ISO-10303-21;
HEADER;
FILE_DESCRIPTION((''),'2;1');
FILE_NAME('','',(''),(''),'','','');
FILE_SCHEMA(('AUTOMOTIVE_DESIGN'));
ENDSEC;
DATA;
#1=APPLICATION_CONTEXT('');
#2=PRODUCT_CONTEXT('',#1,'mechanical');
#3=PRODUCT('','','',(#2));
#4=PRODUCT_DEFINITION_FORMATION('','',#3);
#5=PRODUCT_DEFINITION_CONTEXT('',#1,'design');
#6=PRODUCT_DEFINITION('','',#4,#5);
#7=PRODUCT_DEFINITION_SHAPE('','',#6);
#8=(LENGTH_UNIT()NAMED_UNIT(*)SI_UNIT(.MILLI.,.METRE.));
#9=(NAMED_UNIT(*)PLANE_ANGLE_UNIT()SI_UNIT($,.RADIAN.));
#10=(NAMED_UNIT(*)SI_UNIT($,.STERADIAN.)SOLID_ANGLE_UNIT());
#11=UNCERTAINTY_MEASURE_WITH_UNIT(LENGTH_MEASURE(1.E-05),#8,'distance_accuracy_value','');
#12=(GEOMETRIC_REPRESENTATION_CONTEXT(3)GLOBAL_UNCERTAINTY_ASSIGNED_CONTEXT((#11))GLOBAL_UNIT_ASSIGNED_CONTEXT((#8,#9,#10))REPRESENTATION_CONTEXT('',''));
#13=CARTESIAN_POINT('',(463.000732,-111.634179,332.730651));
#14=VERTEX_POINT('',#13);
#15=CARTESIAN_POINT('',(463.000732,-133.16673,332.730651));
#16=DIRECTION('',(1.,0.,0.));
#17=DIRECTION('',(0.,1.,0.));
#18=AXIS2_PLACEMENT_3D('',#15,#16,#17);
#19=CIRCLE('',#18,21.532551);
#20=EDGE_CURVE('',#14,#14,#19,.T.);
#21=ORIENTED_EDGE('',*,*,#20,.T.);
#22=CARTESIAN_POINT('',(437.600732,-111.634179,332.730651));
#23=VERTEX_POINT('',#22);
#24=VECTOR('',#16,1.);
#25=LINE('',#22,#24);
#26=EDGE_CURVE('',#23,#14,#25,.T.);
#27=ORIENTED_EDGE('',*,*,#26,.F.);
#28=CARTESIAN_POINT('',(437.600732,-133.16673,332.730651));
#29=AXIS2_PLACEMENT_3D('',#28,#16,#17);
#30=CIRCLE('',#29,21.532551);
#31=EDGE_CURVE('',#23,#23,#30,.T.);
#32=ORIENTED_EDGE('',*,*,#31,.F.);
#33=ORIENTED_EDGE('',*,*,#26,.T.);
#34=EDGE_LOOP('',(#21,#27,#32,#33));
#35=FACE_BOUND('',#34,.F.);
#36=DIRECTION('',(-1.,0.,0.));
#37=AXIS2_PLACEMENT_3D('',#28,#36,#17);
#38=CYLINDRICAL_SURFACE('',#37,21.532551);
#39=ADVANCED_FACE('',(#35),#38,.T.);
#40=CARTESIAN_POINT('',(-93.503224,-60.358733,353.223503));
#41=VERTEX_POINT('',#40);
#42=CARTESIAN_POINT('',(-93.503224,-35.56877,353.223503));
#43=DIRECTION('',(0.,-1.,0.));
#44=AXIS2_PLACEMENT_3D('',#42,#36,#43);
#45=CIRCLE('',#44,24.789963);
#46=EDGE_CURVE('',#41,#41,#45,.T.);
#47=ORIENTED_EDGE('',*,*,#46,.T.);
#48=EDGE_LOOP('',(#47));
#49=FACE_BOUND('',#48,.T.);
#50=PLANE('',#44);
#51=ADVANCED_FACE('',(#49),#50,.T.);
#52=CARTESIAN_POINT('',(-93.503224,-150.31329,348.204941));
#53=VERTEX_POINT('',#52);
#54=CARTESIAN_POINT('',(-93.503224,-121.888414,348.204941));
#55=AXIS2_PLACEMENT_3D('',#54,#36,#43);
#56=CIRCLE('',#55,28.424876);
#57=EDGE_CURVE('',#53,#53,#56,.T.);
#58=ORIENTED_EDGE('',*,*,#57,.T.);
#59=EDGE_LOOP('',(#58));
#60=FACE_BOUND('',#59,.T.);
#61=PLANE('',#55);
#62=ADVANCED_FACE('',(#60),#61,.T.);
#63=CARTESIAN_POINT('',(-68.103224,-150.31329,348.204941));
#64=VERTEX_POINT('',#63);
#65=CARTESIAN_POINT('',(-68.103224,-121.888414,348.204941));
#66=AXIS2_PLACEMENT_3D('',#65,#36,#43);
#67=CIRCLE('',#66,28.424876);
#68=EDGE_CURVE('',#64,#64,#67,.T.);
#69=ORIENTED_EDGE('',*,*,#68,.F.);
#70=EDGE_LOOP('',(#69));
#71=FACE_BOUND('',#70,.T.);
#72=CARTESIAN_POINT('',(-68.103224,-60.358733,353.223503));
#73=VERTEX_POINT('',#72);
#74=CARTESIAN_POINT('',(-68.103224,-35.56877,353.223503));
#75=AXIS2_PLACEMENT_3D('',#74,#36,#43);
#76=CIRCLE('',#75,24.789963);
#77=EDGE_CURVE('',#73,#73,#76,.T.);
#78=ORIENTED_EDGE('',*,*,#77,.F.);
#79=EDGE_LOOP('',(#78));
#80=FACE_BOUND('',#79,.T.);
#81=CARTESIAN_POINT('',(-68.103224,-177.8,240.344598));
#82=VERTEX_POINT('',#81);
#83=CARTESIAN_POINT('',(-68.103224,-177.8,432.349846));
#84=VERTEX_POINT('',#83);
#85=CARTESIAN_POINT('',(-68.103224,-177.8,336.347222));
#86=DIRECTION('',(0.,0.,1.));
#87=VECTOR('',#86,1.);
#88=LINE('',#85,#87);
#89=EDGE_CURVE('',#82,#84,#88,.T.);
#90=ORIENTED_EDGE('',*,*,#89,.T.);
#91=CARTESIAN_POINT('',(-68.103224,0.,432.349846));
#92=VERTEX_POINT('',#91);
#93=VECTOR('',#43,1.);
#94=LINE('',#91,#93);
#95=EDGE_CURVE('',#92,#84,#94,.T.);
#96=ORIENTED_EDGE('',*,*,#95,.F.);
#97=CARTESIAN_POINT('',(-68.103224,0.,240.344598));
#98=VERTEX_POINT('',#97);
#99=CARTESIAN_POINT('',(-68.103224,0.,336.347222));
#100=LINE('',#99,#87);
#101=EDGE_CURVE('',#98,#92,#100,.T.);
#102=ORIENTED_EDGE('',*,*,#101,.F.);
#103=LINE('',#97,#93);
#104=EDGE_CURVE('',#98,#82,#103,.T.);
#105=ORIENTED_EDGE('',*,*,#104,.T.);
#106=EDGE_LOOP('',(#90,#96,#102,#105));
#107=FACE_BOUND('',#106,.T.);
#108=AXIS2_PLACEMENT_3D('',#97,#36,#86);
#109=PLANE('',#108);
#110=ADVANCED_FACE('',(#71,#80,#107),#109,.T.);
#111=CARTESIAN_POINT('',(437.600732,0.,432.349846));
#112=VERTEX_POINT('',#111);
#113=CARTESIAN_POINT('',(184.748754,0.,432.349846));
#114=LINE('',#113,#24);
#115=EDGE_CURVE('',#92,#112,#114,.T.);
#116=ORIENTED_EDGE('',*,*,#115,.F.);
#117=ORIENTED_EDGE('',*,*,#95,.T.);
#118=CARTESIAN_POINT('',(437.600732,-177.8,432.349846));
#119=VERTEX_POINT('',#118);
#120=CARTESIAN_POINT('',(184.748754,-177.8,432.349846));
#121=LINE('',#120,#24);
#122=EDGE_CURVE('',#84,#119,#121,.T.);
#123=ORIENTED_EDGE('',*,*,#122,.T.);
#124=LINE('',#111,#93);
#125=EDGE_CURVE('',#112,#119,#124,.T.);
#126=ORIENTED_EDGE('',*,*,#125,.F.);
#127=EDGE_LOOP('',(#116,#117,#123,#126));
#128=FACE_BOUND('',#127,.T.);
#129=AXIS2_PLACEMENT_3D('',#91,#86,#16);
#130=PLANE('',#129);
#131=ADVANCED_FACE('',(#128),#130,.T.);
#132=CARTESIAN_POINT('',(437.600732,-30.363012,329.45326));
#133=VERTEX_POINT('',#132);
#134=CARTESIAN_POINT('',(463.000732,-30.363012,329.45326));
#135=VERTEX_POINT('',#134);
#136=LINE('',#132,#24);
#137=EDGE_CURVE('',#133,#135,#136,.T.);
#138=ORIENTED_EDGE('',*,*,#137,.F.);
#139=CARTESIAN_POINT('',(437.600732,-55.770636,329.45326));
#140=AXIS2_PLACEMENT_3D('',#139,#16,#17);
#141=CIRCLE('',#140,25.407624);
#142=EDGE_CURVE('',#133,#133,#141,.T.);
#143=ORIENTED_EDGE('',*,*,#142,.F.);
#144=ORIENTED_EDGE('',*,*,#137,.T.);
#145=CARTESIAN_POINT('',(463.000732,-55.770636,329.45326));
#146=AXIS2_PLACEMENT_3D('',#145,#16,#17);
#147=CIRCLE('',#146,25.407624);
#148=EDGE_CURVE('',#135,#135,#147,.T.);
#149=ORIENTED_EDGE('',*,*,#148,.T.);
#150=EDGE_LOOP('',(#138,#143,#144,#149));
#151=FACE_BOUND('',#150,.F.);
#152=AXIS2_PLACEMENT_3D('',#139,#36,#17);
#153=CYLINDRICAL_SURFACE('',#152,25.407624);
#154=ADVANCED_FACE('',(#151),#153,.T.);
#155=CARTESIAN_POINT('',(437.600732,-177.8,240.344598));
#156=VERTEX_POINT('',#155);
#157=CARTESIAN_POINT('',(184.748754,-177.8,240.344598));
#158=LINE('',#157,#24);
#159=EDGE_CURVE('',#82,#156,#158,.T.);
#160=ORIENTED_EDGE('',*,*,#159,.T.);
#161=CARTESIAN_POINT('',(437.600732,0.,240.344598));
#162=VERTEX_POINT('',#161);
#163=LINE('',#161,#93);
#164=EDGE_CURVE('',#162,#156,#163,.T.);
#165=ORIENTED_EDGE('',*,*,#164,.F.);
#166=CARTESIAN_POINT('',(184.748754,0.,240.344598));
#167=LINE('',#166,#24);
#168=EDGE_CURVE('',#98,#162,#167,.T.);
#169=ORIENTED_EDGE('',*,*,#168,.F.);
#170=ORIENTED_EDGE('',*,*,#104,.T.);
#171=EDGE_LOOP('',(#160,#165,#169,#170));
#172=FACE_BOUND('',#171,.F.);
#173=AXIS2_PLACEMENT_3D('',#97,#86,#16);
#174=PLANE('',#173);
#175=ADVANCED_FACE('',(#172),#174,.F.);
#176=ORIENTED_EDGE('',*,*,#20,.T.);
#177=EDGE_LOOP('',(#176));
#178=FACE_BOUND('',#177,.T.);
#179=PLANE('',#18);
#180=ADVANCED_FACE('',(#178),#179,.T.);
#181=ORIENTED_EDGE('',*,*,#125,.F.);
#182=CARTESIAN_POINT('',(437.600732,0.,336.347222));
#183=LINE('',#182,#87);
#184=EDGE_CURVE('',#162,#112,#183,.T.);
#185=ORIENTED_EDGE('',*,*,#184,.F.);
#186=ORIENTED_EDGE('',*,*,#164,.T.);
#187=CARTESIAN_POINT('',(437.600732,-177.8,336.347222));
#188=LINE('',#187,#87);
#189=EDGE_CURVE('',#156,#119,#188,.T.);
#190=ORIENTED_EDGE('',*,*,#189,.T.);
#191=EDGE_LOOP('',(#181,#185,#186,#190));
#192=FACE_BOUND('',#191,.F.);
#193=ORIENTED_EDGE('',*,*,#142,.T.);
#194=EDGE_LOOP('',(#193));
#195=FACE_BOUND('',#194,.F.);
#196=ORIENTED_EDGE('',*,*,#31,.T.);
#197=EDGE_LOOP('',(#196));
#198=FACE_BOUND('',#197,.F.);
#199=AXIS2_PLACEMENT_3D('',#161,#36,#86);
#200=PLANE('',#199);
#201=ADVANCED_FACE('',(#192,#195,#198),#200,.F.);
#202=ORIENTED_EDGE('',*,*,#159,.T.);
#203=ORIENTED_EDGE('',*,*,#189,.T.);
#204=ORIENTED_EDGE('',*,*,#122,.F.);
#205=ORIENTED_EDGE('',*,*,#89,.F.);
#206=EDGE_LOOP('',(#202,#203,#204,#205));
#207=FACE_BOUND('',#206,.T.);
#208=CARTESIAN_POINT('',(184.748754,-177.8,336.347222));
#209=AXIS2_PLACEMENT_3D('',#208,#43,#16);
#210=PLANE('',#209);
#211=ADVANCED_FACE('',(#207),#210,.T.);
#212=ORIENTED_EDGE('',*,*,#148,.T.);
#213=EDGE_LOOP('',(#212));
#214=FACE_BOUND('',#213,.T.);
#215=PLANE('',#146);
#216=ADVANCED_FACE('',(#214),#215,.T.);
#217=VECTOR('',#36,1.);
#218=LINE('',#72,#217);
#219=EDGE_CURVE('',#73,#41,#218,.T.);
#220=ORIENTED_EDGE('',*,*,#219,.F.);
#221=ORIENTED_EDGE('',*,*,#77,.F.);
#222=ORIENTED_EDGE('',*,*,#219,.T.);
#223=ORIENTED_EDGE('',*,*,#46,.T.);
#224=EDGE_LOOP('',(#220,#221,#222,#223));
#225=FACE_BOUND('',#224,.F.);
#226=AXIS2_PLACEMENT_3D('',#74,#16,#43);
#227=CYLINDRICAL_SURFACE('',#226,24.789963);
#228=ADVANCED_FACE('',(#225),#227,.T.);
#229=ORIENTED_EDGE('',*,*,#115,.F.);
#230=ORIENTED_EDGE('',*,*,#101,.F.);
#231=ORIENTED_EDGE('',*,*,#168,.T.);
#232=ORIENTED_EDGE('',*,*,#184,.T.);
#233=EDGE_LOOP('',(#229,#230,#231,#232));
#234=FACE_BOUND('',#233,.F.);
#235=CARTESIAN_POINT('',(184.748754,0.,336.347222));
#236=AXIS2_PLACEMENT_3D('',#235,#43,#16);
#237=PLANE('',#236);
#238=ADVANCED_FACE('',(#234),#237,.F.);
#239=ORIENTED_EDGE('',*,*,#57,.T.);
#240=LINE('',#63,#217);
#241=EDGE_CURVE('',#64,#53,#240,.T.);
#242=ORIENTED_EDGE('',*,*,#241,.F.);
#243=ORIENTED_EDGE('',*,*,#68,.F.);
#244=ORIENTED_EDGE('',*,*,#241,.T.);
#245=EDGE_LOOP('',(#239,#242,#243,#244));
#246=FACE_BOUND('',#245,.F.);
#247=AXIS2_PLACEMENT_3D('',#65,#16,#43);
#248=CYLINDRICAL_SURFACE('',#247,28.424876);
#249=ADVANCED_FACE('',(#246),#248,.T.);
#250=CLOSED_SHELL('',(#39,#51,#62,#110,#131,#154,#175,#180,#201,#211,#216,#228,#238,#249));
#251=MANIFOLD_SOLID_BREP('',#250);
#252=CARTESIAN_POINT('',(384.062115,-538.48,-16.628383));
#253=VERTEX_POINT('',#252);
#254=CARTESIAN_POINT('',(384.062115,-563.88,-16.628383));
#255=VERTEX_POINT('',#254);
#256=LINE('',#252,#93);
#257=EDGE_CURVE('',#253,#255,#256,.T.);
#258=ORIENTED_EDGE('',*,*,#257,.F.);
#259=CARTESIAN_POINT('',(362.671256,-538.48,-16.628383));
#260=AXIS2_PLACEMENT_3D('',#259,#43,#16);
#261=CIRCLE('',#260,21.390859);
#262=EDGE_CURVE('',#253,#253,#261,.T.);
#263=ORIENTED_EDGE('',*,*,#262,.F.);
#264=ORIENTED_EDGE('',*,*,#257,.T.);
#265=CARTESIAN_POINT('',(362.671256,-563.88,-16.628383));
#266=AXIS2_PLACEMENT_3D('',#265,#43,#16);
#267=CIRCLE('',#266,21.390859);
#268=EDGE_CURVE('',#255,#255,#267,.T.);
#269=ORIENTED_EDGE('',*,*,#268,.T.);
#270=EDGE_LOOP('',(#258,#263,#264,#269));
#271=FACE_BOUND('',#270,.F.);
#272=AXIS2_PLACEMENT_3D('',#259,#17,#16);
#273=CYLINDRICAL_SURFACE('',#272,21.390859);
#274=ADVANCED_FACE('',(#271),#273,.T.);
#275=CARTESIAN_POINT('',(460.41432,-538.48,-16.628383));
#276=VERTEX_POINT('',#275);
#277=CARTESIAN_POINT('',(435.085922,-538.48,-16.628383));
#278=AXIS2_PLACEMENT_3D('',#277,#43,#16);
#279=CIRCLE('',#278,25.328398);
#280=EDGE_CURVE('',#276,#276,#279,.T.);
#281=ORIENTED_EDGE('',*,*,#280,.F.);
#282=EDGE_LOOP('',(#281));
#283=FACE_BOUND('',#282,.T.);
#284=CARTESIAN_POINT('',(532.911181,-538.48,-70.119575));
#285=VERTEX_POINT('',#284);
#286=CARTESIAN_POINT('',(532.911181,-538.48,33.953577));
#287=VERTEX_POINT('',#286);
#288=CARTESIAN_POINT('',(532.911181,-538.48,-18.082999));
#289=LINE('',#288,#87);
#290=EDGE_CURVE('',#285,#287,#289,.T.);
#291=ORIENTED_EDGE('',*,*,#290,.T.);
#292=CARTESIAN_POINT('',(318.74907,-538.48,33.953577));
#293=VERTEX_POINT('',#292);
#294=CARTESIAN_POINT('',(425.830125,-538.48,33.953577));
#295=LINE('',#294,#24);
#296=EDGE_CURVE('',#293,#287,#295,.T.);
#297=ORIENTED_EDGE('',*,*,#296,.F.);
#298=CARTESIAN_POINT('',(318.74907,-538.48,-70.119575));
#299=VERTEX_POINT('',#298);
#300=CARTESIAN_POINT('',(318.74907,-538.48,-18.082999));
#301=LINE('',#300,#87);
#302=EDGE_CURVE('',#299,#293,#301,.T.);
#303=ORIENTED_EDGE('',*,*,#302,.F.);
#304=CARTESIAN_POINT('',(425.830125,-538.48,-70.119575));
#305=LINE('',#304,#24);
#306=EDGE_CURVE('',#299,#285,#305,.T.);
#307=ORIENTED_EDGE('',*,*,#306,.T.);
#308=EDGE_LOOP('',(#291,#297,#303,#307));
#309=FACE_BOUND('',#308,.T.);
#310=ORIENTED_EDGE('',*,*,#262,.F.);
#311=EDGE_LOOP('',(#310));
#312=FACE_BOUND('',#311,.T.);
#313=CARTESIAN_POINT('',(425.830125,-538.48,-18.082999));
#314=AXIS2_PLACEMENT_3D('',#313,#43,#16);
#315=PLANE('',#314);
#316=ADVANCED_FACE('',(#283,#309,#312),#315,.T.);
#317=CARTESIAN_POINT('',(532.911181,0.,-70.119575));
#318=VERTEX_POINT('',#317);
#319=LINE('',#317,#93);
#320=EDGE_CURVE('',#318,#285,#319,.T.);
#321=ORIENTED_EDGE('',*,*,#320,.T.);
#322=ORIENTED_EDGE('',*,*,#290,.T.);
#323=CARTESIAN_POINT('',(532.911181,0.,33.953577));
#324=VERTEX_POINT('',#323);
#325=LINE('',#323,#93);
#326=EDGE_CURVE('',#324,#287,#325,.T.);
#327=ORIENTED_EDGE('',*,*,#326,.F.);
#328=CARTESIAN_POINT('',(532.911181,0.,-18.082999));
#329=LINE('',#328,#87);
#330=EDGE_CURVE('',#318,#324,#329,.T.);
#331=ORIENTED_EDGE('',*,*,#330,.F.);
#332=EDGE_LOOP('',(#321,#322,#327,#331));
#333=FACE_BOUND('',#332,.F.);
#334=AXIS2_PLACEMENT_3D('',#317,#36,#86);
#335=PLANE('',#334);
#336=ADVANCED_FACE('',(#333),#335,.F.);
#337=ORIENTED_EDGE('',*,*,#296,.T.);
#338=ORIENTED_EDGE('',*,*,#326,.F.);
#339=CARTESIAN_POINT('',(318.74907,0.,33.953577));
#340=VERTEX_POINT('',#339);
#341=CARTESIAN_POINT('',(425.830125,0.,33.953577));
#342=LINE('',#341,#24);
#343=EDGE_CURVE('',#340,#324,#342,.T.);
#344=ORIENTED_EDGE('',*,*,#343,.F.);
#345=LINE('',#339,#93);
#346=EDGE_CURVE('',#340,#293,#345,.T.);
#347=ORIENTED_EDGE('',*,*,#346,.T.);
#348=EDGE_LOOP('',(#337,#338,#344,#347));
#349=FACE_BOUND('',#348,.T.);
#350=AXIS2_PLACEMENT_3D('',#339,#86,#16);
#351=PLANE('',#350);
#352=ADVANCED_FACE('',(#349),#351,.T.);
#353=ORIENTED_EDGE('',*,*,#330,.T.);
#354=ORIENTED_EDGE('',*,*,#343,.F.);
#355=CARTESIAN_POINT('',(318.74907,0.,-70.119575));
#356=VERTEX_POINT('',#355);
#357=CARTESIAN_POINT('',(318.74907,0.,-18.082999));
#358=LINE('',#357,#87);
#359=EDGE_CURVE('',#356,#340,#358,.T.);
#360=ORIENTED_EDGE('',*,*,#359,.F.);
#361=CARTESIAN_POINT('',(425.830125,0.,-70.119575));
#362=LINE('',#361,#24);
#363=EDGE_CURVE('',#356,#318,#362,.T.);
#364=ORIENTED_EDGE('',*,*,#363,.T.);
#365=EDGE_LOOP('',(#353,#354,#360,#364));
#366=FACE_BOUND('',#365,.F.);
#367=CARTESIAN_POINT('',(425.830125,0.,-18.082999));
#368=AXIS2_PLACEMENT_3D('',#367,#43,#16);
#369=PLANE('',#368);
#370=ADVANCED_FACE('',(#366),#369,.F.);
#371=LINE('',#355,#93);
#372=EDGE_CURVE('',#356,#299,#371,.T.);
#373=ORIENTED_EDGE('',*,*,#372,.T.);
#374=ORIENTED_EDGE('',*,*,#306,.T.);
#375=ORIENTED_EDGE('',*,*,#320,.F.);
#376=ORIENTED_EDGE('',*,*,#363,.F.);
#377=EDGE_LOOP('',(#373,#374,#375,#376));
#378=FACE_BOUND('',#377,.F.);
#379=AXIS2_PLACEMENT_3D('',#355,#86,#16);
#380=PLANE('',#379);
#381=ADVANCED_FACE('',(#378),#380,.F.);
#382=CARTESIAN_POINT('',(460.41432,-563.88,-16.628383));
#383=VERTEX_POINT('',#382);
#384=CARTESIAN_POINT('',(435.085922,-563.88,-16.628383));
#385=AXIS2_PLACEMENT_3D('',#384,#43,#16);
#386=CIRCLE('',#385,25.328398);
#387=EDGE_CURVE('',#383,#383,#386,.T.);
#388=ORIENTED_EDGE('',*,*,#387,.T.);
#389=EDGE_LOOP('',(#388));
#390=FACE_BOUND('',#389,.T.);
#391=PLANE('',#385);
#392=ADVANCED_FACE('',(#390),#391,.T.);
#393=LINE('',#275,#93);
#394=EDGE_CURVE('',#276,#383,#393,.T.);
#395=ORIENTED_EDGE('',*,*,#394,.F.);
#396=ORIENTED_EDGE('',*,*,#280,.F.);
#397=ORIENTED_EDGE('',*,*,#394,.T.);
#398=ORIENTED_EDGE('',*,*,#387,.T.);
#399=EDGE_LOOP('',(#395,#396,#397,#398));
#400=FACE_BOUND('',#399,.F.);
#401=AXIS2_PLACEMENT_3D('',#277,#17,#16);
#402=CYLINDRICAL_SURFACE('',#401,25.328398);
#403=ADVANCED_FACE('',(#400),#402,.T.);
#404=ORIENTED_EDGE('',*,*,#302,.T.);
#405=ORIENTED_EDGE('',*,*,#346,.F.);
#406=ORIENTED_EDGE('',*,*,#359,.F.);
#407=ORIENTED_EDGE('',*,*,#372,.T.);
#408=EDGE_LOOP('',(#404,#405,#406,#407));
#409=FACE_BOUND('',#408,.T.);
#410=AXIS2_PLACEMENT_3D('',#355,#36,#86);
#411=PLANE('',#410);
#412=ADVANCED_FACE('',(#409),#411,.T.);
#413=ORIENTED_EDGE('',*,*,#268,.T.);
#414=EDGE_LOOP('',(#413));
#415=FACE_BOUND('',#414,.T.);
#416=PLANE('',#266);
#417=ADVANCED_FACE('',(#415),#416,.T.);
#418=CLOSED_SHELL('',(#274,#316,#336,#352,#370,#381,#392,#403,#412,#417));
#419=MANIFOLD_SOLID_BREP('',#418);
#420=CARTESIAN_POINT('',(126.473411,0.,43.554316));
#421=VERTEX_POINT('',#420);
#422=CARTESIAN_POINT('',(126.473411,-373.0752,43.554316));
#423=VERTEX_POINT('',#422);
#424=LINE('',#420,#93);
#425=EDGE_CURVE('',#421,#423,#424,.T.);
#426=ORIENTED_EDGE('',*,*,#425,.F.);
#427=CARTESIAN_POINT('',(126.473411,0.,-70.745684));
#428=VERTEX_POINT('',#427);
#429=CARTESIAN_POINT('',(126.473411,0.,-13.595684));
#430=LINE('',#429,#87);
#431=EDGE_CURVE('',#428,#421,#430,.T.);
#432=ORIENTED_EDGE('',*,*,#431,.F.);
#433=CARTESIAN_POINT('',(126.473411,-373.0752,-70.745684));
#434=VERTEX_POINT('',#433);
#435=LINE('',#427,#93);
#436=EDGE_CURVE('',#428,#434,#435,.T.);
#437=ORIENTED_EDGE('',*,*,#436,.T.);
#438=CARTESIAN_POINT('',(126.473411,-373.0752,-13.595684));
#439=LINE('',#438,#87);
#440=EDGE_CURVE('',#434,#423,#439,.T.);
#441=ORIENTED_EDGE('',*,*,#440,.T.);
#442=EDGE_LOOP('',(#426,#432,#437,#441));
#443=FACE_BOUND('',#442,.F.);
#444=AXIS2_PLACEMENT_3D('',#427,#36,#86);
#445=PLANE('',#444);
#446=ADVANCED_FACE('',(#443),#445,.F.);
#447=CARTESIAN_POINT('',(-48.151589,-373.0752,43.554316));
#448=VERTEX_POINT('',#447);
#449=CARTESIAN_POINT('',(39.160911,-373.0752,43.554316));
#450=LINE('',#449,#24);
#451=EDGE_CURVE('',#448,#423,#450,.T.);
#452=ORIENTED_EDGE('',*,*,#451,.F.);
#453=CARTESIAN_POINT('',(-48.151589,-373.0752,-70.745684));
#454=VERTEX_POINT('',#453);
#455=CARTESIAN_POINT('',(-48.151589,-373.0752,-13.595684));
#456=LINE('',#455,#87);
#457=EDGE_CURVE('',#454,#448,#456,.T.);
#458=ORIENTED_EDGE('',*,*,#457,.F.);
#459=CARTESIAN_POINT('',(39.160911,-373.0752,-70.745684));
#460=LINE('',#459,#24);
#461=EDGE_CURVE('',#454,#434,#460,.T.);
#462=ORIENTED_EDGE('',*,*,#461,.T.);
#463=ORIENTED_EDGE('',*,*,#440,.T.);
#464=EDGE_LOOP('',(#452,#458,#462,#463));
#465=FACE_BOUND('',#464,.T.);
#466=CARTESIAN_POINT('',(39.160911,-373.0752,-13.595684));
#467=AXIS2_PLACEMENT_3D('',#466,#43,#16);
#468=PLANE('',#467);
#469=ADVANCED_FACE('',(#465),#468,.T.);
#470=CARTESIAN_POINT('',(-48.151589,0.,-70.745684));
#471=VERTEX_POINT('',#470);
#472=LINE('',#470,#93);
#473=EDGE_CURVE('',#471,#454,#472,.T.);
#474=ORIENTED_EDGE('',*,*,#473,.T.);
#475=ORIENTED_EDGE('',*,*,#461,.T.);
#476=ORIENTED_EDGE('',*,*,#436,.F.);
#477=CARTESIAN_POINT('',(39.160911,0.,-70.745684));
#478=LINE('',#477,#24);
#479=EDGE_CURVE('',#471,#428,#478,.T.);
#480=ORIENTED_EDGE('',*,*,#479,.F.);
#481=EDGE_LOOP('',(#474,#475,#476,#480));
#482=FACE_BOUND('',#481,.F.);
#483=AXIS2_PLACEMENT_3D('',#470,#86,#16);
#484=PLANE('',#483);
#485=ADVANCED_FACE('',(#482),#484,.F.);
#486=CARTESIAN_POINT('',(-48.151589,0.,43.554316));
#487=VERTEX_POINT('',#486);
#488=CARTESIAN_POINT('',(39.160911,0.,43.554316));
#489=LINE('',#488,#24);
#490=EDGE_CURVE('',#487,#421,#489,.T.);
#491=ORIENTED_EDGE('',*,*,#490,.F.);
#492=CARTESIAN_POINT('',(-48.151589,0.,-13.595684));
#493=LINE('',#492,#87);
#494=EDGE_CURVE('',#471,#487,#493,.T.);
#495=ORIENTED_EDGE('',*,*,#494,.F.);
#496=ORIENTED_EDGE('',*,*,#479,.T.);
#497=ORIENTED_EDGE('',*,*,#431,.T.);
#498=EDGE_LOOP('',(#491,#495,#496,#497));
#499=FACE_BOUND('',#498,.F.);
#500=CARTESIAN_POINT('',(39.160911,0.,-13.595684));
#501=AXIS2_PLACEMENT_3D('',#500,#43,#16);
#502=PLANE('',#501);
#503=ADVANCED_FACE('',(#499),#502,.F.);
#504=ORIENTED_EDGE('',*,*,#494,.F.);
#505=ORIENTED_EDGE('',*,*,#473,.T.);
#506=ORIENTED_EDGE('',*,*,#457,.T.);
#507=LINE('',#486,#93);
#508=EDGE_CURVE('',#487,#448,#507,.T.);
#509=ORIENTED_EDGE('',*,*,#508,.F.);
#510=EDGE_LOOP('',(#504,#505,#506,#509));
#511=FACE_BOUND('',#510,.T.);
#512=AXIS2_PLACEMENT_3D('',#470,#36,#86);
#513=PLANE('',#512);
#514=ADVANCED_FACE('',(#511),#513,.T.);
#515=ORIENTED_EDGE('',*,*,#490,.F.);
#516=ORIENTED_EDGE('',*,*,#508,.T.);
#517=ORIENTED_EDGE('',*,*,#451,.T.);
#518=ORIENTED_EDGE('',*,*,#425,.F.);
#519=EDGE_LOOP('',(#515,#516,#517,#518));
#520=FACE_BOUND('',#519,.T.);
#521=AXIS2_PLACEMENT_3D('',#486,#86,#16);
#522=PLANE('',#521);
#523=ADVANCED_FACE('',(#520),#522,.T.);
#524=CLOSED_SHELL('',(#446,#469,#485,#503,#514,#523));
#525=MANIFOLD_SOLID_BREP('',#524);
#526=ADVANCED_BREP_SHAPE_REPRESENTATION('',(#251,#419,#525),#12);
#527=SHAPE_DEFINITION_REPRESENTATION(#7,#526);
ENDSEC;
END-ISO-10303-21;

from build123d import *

# Parameters (mm, degrees)
F0_W      = 174.625
F0_H      = 114.3
F1_DEPTH  = 373.0752
F2_W      = 214.162111
F2_H      = 104.073152
F3_DEPTH  = 538.48
F4_R      = 21.390859
F4_R_2    = 25.328398
F5_DEPTH  = 25.4
F6_W      = 505.703956
F6_H      = 192.005247
F7_DEPTH  = 177.8
F8_R      = 24.789963
F8_R_2    = 28.424876
F9_DEPTH  = 25.4
F10_R     = 21.532551
F10_R_2   = 25.407624
F11_DEPTH = 25.4


with BuildPart() as f1:
    # F0 (on Front) → F1 (new body)
    with BuildSketch(Plane.XZ):
        with Locations((39.160911, -13.595684)):
            Rectangle(F0_W, F0_H)
    extrude(amount=F1_DEPTH)


with BuildPart() as f3:
    # F2 (on Front) → F3 (new body)
    with BuildSketch(Plane.XZ):
        with Locations((425.830125, -18.082999)):
            Rectangle(F2_W, F2_H)
    extrude(amount=F3_DEPTH)

    # F4 (on face) → F5 (join)
    with BuildSketch(Plane.XZ.offset(538.48)):
        with Locations((362.671256, -16.628383)):
            Circle(F4_R)
        with Locations((435.085922, -16.628383)):
            Circle(F4_R_2)
    extrude(amount=F5_DEPTH)


with BuildPart() as f7:
    # F6 (on Front) → F7 (new body)
    with BuildSketch(Plane.XZ):
        with Locations((184.748754, 336.347222)):
            Rectangle(F6_W, F6_H)
    extrude(amount=F7_DEPTH)

    # F8 (on face) → F9 (join)
    with BuildSketch(Plane(origin=(-68.103224, 0, 0), x_dir=(0, -1, 0), z_dir=(-1, 0, 0))):
        with Locations((35.56877, 353.223503)):
            Circle(F8_R)
        with Locations((121.888414, 348.204941)):
            Circle(F8_R_2)
    extrude(amount=F9_DEPTH)

    # F10 (on face) → F11 (join)
    with BuildSketch(Plane.YZ.offset(437.600732)):
        with Locations((-133.16673, 332.730651)):
            Circle(F10_R)
        with Locations((-55.770636, 329.45326)):
            Circle(F10_R_2)
    extrude(amount=F11_DEPTH)


solid = Compound([f1.part, f3.part, f7.part])
